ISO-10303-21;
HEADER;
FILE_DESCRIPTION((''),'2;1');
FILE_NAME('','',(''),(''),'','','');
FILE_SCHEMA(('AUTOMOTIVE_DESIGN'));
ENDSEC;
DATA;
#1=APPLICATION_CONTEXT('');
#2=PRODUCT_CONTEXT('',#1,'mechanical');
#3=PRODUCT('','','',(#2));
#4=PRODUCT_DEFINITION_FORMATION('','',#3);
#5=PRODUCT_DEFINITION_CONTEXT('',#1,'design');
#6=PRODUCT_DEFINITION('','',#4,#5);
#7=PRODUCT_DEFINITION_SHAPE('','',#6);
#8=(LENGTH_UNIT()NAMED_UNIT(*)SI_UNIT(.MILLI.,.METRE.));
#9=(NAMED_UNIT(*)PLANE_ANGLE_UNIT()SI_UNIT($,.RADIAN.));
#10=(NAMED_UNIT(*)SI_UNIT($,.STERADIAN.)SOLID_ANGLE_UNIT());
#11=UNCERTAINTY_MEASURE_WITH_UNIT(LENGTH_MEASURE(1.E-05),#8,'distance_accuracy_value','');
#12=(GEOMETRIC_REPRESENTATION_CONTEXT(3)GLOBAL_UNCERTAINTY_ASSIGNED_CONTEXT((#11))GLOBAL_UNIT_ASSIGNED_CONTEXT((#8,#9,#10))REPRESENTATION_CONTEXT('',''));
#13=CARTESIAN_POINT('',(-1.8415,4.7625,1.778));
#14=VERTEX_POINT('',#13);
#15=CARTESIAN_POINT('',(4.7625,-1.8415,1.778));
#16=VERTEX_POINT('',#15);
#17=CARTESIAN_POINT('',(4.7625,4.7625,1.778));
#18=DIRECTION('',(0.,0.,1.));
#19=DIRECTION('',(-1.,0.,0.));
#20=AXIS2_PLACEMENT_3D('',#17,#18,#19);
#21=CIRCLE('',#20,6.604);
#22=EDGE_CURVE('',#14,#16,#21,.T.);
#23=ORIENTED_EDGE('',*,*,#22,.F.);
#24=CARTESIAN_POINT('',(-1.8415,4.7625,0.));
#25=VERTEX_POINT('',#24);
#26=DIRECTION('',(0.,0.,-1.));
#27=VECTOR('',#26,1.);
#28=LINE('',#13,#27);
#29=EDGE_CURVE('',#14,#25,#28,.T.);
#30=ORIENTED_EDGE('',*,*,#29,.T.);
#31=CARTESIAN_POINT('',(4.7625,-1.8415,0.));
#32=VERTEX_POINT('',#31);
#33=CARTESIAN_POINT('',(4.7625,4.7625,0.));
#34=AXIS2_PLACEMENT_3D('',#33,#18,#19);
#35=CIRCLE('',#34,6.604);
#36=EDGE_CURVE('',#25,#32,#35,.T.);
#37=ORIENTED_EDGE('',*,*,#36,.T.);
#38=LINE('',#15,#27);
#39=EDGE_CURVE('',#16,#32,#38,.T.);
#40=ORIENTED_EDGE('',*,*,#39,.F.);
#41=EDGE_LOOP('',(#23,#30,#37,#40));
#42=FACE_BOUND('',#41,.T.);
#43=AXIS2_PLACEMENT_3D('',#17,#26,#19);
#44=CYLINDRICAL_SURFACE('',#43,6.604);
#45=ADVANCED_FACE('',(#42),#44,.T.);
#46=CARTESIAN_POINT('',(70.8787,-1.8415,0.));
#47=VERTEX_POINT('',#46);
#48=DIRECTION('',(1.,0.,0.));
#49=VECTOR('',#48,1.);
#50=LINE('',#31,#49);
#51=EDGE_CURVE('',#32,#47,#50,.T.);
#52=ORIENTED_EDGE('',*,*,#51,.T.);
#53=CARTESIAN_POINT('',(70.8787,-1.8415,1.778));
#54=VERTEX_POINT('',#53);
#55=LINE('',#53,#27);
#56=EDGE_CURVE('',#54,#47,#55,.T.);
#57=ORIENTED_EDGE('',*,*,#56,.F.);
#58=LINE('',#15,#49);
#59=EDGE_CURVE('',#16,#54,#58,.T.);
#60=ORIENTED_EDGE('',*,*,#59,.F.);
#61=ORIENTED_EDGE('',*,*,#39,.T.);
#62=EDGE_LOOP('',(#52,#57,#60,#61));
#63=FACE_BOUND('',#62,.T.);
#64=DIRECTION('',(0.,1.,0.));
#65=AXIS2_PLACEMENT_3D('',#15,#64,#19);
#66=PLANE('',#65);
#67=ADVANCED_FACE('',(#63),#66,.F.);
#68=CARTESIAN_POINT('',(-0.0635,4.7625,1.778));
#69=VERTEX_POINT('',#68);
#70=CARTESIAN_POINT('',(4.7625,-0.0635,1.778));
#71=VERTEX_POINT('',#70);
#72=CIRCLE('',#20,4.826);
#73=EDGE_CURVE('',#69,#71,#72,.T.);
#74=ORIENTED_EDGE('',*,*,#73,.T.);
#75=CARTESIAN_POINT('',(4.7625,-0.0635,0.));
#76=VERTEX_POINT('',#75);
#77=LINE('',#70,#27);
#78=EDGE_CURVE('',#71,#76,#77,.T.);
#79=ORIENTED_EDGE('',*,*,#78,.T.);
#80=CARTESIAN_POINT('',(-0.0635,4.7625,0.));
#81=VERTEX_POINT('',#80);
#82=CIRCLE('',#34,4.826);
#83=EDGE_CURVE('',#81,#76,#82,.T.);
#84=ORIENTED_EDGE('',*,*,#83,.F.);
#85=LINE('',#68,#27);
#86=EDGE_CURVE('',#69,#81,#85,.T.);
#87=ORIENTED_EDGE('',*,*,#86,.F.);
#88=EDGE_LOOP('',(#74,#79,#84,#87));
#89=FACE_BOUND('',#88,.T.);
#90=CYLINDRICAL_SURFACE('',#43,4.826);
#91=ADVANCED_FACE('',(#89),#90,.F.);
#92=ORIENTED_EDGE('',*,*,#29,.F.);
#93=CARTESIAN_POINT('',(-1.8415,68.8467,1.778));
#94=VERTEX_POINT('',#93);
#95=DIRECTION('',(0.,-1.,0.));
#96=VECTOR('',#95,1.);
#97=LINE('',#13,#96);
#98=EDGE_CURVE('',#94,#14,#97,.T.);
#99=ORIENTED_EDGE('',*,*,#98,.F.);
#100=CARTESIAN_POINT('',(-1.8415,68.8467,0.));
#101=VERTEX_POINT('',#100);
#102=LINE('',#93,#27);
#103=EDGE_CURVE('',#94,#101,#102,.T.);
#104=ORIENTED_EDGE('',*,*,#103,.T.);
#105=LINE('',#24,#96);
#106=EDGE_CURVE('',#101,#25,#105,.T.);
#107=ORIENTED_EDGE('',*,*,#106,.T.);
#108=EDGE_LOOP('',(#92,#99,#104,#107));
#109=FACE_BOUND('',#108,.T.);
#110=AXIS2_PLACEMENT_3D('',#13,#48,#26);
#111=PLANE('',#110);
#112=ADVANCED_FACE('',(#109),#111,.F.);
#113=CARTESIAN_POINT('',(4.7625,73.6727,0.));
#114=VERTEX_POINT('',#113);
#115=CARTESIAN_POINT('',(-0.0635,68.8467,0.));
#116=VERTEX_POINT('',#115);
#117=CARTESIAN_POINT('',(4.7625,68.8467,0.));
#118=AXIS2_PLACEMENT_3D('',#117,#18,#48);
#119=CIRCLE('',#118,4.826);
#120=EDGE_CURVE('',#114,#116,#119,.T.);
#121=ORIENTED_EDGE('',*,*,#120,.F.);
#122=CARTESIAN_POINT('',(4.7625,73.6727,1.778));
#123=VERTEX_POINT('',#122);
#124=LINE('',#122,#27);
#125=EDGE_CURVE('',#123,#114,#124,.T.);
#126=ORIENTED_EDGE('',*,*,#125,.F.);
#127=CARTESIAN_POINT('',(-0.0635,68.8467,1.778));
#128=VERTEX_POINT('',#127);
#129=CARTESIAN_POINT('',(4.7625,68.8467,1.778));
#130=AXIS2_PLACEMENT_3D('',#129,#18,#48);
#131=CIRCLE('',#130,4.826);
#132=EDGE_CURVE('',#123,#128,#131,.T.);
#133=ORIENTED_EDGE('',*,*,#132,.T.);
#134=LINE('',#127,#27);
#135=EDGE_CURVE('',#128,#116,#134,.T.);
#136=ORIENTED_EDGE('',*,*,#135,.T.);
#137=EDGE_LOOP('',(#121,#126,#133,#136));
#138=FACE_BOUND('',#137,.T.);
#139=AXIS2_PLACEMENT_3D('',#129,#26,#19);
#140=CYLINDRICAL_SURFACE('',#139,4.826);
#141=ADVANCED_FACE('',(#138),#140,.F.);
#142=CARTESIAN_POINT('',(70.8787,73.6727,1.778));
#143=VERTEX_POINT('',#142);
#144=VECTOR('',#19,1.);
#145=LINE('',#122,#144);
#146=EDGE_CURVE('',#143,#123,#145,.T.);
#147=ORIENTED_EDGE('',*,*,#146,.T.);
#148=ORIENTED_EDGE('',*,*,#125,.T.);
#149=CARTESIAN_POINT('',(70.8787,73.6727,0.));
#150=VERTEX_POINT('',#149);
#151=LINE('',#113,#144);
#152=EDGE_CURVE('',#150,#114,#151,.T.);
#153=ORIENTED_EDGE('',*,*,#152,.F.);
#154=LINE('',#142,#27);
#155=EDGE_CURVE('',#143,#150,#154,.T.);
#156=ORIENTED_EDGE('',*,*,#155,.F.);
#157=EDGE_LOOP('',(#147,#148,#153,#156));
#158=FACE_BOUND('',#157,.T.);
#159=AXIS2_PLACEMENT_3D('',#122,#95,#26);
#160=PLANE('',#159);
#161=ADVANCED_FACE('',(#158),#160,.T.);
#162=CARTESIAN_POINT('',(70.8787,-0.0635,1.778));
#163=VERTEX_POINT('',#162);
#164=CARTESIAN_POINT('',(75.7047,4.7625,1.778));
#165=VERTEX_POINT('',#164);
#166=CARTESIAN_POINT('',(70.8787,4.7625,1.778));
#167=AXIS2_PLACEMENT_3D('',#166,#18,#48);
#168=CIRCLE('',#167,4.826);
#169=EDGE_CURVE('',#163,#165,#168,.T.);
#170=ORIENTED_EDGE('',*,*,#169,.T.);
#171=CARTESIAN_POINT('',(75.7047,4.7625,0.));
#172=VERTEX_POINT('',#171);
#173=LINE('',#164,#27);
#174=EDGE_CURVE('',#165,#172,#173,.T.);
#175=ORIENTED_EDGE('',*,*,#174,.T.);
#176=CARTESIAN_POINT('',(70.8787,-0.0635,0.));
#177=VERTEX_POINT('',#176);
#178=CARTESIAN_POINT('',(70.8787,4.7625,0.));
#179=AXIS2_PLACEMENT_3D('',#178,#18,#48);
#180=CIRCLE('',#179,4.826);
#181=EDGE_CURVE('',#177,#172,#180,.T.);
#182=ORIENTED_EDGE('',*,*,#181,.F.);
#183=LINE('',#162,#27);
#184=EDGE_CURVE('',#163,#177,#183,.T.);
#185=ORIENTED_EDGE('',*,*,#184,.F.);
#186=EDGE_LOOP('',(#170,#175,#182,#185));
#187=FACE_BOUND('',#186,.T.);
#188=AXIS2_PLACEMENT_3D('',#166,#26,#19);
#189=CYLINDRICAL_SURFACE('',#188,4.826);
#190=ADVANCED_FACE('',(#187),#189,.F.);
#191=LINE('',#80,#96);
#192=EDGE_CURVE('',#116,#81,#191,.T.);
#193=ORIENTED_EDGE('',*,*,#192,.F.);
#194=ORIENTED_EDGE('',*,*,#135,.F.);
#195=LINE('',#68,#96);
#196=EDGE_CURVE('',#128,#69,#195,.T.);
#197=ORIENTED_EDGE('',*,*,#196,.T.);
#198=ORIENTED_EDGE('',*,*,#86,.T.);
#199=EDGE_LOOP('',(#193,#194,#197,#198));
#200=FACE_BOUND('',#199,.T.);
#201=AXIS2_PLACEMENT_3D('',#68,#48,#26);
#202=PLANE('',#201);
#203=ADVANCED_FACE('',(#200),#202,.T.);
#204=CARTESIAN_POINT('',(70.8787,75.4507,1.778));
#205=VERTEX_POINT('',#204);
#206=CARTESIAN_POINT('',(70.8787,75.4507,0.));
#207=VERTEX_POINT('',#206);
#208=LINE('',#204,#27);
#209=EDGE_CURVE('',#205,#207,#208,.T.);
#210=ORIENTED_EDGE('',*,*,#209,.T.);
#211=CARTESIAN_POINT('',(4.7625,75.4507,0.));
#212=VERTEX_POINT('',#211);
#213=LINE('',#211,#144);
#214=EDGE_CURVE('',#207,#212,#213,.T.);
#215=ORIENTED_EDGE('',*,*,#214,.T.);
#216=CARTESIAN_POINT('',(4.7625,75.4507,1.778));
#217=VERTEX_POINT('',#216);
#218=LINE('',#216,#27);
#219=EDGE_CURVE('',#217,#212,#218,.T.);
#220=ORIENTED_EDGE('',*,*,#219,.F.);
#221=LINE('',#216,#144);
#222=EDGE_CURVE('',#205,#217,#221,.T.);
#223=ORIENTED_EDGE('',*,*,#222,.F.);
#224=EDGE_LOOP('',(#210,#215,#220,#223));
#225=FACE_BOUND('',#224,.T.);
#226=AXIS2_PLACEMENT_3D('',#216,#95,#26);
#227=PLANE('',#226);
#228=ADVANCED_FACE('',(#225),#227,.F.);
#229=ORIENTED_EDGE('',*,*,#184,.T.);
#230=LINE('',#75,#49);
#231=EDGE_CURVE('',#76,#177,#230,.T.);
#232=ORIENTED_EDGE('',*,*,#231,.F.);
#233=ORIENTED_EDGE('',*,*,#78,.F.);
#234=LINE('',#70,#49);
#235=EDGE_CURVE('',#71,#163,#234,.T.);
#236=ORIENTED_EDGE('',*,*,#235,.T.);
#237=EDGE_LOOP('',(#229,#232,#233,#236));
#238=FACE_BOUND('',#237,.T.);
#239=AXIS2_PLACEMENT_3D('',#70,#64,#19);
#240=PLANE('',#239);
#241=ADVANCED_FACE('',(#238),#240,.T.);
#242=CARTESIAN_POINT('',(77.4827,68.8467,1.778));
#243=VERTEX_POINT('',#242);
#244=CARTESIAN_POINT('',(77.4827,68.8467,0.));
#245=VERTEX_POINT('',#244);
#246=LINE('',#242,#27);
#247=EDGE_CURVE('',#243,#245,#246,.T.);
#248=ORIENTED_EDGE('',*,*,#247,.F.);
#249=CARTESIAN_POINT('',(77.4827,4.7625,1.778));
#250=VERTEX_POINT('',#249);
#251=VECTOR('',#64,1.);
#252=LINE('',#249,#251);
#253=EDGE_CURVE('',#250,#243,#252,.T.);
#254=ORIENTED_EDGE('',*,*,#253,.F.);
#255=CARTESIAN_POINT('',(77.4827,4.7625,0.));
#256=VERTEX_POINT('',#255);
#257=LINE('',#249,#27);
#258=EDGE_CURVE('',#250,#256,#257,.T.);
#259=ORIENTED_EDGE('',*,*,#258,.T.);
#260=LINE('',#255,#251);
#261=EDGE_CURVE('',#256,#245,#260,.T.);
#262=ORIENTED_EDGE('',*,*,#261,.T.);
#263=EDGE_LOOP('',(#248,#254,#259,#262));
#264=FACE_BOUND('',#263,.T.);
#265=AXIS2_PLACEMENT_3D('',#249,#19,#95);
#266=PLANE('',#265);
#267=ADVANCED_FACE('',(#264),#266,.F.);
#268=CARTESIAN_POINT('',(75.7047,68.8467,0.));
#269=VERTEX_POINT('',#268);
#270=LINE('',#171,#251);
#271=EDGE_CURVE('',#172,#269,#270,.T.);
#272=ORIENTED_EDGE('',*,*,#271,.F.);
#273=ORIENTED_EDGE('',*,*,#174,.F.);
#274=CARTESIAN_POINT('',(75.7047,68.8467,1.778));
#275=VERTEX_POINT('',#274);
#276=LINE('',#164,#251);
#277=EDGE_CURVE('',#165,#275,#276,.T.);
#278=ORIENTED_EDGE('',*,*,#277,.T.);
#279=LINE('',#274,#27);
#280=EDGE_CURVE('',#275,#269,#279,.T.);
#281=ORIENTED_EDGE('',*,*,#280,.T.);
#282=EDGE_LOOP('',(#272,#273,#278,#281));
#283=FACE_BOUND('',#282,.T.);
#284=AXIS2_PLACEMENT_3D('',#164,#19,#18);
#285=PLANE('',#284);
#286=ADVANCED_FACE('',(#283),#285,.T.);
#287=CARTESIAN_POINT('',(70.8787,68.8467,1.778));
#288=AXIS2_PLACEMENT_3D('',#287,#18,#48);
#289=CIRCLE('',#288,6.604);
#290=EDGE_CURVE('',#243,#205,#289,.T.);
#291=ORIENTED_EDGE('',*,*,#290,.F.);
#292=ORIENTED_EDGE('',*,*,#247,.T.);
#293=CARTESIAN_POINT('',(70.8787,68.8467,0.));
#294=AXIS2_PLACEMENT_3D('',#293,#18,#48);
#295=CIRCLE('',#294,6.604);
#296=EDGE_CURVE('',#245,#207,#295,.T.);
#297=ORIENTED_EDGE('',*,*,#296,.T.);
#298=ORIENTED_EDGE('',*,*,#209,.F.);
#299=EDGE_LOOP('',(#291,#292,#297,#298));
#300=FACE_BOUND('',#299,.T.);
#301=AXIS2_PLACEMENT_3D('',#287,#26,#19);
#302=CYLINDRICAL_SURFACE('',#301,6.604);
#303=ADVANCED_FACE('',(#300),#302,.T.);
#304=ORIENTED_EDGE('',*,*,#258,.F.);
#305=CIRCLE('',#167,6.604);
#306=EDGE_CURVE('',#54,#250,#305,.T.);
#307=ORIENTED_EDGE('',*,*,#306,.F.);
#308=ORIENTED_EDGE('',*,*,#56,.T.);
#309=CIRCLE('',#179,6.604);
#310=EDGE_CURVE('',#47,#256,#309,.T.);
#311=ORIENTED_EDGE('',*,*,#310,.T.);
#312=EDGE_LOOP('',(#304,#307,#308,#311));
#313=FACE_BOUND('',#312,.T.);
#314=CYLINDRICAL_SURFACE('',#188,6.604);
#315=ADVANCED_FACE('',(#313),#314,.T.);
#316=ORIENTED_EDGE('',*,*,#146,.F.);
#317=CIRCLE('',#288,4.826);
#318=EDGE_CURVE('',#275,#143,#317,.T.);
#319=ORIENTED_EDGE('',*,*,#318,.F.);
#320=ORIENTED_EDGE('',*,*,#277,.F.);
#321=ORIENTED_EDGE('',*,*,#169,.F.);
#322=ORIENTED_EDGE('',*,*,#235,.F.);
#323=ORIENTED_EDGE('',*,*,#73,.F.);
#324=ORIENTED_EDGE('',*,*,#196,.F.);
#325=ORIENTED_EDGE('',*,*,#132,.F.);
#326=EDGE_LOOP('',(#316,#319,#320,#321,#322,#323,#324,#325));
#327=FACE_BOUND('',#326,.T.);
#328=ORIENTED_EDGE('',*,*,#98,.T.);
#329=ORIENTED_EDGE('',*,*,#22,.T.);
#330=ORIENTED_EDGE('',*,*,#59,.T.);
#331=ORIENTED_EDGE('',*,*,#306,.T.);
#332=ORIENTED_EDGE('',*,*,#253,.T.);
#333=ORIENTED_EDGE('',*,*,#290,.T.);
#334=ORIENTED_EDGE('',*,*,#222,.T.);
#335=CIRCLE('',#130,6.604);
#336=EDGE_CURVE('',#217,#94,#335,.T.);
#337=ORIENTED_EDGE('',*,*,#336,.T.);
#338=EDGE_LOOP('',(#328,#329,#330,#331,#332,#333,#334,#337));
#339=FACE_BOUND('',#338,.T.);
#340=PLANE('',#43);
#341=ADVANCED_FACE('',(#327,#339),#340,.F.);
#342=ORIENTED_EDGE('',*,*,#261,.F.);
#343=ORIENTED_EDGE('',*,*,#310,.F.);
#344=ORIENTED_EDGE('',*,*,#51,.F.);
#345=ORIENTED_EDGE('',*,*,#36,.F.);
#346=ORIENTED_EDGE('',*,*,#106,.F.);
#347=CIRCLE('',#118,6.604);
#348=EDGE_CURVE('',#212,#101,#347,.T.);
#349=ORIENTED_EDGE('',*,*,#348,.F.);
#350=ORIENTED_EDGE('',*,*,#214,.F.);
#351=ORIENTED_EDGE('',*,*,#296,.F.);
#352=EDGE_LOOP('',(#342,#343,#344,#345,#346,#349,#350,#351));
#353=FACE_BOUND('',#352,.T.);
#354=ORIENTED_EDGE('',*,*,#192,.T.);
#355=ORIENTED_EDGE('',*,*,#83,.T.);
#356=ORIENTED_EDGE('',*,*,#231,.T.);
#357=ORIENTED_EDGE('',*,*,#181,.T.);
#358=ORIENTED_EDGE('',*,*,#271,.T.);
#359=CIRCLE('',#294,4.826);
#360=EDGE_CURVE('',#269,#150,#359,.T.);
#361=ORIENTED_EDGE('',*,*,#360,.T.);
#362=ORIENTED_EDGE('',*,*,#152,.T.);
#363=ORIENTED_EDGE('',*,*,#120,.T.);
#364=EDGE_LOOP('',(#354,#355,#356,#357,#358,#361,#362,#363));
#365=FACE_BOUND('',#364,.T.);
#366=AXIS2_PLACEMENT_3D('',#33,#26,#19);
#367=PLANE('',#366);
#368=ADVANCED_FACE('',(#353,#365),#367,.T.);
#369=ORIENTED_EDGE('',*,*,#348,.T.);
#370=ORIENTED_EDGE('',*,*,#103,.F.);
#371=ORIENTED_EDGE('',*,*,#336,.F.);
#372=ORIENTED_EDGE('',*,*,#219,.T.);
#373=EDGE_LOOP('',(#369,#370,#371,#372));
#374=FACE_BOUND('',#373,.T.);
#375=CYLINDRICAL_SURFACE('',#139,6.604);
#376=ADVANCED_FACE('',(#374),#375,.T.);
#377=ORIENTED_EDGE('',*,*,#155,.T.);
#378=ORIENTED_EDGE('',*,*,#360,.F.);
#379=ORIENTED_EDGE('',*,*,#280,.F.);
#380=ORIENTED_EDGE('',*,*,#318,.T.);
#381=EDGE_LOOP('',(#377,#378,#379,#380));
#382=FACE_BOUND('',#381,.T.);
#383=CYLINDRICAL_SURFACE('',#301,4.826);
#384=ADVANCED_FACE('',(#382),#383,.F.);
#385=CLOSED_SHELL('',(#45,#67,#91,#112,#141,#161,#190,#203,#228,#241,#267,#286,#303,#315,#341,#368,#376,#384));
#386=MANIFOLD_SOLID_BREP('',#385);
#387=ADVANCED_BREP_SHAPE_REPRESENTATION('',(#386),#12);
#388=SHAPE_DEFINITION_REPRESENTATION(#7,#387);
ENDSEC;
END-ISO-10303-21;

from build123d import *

# Parameters (mm, degrees)
BOSS_EXTRUDE1_DEPTH = 1.778


with BuildPart() as part:
    # Sketch1 → Boss-Extrude1 (new body)
    with BuildSketch(Plane.XY):
        with BuildLine():
            Line((-1.8415, 4.7625), (-1.8415, 68.8467))
            ThreePointArc((-1.8415, 68.8467), (0.092766817, 73.516433183), (4.7625, 75.4507))
            Line((4.7625, 75.4507), (70.8787, 75.4507))
            ThreePointArc((70.8787, 75.4507), (75.548433183, 73.516433183), (77.4827, 68.8467))
            Line((77.4827, 68.8467), (77.4827, 4.7625))
            ThreePointArc((77.4827, 4.7625), (75.548433183, 0.092766817), (70.8787, -1.8415))
            Line((70.8787, -1.8415), (4.7625, -1.8415))
            ThreePointArc((4.7625, -1.8415), (0.092766817, 0.092766817), (-1.8415, 4.7625))
        make_face()
        with BuildLine():
            Line((-0.0635, 4.7625), (-0.0635, 68.8467))
            ThreePointArc((-0.0635, 68.8467), (1.350002674, 72.259197326), (4.7625, 73.6727))
            Line((4.7625, 73.6727), (70.8787, 73.6727))
            ThreePointArc((70.8787, 73.6727), (74.291197326, 72.259197326), (75.7047, 68.8467))
            Line((75.7047, 68.8467), (75.7047, 4.7625))
            ThreePointArc((75.7047, 4.7625), (74.291197326, 1.350002674), (70.8787, -0.0635))
            Line((70.8787, -0.0635), (4.7625, -0.0635))
            ThreePointArc((4.7625, -0.0635), (1.350002674, 1.350002674), (-0.0635, 4.7625))
        make_face(mode=Mode.SUBTRACT)
    extrude(amount=BOSS_EXTRUDE1_DEPTH)


solid = part.part
